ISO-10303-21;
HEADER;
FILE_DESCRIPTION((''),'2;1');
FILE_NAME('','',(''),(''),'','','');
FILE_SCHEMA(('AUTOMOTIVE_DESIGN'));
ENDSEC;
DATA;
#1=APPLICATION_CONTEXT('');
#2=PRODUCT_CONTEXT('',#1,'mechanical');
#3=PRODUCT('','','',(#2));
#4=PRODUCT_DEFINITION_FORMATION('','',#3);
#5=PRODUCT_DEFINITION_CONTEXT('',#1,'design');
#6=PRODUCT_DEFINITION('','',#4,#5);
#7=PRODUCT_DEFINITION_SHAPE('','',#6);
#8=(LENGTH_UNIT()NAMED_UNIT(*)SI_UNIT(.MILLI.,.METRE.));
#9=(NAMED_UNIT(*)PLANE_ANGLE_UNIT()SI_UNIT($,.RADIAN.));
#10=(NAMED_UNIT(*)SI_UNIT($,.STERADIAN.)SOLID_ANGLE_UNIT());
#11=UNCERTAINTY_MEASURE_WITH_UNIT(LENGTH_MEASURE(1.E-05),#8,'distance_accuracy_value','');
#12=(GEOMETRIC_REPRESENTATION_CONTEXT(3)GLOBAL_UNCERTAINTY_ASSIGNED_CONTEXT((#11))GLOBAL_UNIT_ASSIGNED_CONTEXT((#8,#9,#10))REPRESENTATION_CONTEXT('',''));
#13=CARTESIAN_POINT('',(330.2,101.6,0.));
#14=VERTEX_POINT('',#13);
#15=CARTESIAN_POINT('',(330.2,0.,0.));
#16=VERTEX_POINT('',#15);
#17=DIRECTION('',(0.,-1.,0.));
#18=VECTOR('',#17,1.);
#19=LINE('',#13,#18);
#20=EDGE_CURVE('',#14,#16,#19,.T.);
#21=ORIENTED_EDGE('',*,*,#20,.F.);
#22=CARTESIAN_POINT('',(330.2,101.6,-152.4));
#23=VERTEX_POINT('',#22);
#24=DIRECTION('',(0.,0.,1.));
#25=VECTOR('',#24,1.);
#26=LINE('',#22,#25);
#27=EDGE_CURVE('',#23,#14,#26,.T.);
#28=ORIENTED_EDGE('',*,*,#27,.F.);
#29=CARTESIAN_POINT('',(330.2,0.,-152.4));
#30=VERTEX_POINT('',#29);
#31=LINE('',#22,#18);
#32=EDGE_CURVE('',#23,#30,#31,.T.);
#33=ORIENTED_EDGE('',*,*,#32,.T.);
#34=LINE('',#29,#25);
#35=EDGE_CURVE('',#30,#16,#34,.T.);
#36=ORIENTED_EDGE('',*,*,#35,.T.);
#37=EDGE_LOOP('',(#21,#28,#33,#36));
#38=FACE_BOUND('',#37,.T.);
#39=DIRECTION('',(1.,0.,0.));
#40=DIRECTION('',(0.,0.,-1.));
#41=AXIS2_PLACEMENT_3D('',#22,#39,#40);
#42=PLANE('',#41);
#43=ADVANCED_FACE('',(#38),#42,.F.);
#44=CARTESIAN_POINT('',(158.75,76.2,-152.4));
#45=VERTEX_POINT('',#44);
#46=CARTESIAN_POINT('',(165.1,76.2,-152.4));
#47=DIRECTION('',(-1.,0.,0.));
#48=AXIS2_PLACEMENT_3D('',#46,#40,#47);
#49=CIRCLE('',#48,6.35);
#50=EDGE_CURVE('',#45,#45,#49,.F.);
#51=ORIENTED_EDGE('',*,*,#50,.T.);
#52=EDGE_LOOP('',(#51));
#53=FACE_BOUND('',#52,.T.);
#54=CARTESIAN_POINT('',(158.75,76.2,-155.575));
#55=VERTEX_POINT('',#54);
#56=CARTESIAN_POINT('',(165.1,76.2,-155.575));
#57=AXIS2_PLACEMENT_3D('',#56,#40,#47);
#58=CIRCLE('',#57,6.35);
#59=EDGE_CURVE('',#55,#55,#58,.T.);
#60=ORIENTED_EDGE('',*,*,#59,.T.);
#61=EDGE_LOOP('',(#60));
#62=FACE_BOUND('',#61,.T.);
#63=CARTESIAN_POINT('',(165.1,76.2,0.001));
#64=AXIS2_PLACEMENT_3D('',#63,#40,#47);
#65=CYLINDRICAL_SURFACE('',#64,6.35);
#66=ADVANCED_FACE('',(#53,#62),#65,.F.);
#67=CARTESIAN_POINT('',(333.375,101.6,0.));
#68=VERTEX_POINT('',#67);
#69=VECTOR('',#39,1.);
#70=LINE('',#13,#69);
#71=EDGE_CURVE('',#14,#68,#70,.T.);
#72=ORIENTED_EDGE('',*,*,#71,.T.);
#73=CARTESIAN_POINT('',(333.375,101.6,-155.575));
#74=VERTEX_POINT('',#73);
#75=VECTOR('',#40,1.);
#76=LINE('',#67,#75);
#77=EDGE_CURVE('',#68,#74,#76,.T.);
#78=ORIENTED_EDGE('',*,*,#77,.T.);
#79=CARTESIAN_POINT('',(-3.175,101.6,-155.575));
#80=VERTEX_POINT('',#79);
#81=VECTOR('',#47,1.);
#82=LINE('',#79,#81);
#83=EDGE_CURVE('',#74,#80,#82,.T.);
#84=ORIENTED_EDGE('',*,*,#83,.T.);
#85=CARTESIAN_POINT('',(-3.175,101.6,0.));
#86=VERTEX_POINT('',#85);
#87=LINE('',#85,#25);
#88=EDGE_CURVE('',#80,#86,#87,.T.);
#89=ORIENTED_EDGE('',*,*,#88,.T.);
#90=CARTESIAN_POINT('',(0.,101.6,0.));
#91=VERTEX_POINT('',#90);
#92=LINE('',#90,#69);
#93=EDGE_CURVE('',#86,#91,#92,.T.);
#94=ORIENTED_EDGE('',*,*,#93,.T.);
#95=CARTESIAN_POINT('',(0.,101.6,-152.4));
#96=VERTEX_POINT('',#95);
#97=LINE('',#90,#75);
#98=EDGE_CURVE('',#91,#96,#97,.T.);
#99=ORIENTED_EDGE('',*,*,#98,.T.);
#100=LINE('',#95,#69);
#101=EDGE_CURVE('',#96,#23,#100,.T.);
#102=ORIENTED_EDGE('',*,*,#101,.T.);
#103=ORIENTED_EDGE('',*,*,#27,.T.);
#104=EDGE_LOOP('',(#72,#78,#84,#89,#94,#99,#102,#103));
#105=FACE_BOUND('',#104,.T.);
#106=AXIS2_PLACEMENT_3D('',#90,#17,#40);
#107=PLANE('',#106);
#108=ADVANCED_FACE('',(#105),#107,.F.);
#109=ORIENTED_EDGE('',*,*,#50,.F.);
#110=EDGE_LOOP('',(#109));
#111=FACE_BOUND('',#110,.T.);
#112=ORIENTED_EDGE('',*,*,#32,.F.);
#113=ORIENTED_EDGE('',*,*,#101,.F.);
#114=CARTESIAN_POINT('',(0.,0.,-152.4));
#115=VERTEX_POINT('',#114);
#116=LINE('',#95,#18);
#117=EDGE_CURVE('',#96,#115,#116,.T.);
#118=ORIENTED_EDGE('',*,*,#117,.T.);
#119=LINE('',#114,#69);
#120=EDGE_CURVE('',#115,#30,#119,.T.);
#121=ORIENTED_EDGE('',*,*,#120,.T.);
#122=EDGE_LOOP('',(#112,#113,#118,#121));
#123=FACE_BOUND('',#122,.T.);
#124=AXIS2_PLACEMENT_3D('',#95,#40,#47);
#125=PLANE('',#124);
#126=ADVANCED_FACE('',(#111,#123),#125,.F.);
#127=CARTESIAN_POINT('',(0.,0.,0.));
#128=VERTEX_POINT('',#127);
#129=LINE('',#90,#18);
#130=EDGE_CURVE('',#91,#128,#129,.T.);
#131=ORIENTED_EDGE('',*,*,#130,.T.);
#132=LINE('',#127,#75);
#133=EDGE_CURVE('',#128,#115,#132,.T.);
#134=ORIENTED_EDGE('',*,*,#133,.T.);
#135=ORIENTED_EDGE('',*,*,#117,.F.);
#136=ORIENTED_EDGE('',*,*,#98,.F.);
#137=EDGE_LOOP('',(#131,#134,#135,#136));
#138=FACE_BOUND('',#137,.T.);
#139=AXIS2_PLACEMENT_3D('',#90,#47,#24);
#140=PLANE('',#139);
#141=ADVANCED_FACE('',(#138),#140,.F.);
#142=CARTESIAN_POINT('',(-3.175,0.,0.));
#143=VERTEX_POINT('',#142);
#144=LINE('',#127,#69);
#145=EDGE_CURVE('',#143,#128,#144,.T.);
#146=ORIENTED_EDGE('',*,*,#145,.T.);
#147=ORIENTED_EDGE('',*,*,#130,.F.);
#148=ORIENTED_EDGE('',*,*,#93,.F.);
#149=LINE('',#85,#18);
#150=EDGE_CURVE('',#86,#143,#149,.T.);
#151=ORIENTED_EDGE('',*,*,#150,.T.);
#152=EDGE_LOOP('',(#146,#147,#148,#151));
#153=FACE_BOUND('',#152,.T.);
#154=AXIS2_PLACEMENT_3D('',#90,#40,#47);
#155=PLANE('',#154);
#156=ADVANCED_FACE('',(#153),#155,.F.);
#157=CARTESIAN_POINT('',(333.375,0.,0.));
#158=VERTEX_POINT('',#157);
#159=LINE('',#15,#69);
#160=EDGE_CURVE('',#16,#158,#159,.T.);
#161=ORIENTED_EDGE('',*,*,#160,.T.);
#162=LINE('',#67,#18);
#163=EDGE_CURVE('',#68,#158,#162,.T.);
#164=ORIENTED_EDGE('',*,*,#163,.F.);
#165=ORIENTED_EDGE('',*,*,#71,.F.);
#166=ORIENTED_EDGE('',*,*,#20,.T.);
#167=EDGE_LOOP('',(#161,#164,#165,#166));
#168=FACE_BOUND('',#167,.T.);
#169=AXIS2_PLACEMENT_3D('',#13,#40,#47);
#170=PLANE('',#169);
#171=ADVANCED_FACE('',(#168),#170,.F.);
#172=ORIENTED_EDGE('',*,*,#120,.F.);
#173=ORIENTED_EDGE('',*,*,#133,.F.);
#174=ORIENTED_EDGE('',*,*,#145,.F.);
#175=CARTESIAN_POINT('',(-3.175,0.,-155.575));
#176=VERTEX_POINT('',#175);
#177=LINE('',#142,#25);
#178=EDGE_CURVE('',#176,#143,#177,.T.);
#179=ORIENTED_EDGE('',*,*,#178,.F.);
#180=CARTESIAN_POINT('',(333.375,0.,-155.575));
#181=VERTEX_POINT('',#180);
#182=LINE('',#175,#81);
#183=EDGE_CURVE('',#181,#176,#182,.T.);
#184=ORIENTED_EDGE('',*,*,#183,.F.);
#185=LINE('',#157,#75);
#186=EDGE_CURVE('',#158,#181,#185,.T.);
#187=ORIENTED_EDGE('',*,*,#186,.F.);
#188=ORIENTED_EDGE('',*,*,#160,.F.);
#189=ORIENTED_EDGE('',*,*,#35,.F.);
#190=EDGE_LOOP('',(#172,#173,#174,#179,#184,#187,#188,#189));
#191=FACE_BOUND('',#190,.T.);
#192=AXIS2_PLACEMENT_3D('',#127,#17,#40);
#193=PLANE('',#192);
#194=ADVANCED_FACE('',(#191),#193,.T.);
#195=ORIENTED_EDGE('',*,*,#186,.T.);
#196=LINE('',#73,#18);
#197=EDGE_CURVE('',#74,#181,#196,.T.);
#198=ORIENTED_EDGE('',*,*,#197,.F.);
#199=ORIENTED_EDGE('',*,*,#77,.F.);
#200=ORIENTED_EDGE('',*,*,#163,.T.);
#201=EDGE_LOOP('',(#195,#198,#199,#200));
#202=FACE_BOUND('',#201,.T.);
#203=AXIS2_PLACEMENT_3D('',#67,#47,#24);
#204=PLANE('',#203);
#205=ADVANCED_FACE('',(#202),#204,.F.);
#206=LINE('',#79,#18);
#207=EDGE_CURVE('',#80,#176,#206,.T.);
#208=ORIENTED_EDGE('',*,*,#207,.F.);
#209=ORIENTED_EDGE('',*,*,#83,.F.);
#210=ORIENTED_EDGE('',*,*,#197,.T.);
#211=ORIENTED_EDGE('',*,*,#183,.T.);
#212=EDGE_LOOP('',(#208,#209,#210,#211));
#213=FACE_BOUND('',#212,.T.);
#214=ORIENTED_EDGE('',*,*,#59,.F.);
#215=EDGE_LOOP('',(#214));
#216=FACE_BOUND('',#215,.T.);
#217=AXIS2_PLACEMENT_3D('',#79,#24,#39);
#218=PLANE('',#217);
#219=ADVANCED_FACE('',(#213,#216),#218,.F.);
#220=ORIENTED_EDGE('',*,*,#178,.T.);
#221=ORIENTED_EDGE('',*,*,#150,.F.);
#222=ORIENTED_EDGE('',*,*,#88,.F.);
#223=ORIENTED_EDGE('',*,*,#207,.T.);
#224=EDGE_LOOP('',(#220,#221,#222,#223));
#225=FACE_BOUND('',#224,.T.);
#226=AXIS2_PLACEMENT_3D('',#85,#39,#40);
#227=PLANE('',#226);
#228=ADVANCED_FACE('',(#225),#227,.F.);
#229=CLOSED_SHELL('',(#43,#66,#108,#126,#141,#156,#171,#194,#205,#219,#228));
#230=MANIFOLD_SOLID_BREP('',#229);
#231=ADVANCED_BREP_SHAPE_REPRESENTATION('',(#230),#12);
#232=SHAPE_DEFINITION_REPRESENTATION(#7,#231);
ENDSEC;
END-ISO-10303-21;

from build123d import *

# Parameters (mm, degrees)
BOSS_EXTRUDE1_DEPTH = 101.6
CUT_EXTRUDE1_REACH  = 157.575
SKETCH2_R           = 6.35


with BuildPart() as part:
    # Sketch1 → Boss-Extrude1 (new body)
    with BuildSketch(Plane(origin=(0, 0, 0), x_dir=(1, 0, 0), z_dir=(0, 1, 0))):
        Polygon((0, 0), (0, 152.4), (330.2, 152.4), (330.2, 0), (333.375, 0), (333.375, 155.575), (-3.175, 155.575), (-3.175, 0), align=None)
    extrude(amount=BOSS_EXTRUDE1_DEPTH)

    # Sketch2 → Cut-Extrude1 (cut, up to next)
    with BuildSketch(Plane(origin=(0, 0, -155.575), x_dir=(-1, 0, 0), z_dir=(0, 0, -1)), mode=Mode.PRIVATE) as cut_extrude1_sk1:
        with Locations((-165.1, 76.2)):
            Circle(SKETCH2_R)
    cut_extrude1_tool1 = extrude(cut_extrude1_sk1.sketch, amount=-CUT_EXTRUDE1_REACH, mode=Mode.PRIVATE) & part.part
    add(cut_extrude1_tool1.solids().sort_by_distance((165.1, 76.2, -155.575))[0], mode=Mode.SUBTRACT)


solid = part.part
